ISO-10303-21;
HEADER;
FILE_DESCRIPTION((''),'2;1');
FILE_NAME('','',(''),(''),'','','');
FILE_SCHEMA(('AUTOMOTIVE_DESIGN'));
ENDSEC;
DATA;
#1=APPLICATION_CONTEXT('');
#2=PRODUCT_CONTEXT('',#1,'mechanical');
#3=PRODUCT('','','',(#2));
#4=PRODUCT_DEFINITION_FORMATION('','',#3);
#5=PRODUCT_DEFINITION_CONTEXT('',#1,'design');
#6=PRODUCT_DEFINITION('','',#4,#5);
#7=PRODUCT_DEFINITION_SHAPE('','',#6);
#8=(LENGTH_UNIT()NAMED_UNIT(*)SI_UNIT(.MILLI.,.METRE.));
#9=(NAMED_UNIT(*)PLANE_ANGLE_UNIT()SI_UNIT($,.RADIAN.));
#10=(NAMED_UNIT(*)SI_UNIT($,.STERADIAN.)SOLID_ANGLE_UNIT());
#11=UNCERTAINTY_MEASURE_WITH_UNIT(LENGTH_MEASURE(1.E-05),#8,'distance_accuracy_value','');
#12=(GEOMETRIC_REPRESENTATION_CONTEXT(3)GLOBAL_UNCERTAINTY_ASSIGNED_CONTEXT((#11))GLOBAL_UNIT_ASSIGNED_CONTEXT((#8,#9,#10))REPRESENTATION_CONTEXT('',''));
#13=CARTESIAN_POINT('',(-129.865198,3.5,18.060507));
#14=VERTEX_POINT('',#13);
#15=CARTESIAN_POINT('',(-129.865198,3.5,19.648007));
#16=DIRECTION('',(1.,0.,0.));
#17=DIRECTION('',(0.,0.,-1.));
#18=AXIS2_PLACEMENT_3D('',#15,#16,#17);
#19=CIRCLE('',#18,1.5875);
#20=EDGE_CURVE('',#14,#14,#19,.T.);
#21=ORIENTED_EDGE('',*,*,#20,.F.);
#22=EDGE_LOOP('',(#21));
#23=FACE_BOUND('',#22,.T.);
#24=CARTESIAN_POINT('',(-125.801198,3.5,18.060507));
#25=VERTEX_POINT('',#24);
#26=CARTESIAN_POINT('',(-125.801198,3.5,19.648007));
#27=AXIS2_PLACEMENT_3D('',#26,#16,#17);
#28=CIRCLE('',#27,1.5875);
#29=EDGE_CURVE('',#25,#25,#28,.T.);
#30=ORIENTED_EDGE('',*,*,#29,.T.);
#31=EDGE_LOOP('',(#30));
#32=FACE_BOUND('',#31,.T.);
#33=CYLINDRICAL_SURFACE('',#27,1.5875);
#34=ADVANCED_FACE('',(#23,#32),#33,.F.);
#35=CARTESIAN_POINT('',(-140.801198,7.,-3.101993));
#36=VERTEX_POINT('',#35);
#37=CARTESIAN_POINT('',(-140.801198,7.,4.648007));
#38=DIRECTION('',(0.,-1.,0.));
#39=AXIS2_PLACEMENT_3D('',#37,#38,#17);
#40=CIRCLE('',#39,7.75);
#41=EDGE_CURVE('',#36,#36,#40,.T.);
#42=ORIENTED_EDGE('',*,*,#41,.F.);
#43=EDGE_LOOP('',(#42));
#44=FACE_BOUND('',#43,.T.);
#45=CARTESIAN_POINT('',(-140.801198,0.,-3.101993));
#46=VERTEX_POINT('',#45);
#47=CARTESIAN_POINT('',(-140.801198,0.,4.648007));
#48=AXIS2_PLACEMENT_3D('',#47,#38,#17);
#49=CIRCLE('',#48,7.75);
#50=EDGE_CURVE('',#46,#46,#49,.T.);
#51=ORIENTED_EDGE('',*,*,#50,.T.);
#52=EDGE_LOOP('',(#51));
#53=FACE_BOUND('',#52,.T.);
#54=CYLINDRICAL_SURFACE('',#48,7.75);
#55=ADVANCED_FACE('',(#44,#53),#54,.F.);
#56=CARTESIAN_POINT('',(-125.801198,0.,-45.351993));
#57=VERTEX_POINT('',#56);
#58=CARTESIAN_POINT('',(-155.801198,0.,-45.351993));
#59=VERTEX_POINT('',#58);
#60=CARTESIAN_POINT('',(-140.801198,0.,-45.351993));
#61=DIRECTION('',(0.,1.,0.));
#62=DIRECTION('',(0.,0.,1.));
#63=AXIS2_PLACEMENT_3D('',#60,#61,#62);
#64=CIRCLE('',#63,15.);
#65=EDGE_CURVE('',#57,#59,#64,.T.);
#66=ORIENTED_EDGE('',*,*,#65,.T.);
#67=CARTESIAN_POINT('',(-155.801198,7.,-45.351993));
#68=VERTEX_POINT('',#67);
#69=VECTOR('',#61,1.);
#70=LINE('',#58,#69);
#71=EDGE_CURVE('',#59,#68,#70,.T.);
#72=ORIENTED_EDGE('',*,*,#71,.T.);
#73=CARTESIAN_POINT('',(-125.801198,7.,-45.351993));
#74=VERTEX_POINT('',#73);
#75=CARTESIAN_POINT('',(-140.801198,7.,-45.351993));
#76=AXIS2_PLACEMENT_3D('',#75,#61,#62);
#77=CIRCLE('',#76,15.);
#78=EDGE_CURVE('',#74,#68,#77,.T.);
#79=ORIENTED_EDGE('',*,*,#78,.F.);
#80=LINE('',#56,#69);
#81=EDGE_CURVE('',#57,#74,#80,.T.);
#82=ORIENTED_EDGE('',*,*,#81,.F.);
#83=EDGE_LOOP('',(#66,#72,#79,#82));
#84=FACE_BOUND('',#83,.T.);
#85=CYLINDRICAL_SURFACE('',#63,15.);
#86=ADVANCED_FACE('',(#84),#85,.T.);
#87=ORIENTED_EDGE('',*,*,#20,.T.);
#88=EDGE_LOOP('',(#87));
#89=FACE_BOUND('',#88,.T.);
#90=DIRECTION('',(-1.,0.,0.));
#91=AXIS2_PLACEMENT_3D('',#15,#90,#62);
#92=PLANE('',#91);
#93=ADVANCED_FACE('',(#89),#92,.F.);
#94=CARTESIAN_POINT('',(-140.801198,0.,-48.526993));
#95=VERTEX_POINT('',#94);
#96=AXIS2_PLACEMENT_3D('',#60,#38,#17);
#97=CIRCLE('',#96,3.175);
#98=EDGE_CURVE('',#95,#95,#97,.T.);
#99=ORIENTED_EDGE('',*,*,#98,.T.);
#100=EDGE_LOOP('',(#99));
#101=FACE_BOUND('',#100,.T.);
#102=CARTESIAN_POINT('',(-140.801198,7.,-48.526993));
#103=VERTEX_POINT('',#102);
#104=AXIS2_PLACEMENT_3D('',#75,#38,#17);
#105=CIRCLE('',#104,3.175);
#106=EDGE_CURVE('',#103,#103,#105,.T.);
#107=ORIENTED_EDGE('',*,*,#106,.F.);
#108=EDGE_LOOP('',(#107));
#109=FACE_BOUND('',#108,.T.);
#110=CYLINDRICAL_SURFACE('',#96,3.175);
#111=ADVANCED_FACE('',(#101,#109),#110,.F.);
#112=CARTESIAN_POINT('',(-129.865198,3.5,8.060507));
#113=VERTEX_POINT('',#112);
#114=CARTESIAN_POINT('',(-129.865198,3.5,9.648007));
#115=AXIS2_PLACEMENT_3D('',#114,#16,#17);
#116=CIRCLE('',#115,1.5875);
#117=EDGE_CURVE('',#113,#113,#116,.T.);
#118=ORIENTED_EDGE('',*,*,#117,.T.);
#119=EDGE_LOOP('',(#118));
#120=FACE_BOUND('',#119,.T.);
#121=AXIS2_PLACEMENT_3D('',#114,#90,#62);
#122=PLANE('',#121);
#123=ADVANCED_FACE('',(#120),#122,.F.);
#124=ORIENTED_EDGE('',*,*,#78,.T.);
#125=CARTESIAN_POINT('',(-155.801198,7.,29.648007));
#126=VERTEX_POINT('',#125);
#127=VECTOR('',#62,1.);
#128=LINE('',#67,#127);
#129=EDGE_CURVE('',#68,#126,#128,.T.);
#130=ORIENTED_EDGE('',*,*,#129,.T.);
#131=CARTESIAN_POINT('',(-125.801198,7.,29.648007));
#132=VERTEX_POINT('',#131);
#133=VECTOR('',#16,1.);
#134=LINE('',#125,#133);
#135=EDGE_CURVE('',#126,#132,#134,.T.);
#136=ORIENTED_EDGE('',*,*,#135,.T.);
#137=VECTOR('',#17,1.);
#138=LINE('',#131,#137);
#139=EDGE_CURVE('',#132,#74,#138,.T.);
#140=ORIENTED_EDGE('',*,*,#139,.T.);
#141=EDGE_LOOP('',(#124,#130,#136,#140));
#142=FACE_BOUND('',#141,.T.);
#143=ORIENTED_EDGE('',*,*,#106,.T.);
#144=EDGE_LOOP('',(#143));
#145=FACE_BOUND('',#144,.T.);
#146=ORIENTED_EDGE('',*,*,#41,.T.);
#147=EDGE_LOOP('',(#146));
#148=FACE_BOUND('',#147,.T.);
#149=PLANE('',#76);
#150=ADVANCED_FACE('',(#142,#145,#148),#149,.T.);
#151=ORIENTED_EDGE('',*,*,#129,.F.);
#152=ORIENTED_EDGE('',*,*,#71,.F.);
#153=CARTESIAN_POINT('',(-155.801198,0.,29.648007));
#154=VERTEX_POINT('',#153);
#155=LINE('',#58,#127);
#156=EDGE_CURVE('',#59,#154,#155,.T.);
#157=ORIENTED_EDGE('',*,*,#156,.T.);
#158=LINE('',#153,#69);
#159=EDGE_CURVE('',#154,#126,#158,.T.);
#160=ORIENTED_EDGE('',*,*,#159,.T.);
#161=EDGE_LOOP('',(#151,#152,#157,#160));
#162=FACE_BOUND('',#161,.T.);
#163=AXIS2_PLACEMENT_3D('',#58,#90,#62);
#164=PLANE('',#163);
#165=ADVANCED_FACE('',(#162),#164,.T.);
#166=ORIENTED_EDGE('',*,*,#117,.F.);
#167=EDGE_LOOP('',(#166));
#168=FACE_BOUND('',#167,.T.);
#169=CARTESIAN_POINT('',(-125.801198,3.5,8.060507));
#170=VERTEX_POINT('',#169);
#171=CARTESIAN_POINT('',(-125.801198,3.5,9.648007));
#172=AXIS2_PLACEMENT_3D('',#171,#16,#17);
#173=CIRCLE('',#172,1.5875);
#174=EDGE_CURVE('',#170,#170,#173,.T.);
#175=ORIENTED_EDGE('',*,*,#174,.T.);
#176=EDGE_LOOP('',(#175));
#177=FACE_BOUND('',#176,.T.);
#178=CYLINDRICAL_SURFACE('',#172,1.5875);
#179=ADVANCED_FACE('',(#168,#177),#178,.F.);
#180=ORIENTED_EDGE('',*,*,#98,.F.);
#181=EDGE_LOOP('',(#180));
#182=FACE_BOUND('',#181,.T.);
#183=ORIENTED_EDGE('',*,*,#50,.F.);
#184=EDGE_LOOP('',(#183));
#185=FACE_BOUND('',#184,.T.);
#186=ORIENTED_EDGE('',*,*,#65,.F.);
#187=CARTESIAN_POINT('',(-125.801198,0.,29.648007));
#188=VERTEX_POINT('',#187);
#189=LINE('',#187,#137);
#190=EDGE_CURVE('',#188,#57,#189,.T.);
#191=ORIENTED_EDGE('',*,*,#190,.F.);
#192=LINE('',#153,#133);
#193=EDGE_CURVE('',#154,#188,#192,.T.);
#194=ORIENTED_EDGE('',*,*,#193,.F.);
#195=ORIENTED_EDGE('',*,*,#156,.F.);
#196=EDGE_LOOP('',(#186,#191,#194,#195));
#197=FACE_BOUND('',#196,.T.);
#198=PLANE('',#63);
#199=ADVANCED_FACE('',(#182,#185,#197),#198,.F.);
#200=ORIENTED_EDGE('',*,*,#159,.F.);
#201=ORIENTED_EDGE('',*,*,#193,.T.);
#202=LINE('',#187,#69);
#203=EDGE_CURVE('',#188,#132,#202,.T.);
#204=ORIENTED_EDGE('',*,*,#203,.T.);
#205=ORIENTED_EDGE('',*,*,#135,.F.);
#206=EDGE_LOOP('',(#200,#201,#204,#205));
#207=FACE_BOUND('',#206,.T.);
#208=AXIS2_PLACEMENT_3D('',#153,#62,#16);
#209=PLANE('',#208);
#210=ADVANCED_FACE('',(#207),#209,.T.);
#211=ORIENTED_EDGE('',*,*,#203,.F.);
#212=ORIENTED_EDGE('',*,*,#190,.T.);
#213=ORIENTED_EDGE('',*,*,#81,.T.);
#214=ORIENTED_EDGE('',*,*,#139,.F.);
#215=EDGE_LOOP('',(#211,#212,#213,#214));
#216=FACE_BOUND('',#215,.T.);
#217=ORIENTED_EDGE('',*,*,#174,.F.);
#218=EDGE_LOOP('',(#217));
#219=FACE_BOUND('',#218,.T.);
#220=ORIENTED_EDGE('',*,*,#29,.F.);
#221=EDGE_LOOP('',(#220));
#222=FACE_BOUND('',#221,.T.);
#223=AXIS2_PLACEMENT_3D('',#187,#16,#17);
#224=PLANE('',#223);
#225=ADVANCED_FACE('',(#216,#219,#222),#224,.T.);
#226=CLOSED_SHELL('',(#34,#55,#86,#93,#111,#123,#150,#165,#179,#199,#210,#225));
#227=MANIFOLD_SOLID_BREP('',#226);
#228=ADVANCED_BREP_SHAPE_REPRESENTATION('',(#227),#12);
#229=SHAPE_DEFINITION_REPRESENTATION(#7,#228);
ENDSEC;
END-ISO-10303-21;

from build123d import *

# Parameters (mm, degrees)
BOSS_EXTRUDE1_DEPTH              = 7
F_1_8_0_125_DIAMETER_HOLE1_D     = 3.175
F_1_8_0_125_DIAMETER_HOLE1_DEPTH = 4.064
HOLE1_D                          = 15.5
F_1_4_0_25_DIAMETER_HOLE1_D      = 6.35


with BuildPart() as part:
    # Sketch1 → Boss-Extrude1 (new body)
    with BuildSketch(Plane(origin=(0, 7, 0), x_dir=(1, 0, 0), z_dir=(0, 1, 0))):
        with BuildLine():
            Line((-125.801197545, -29.648007087), (-125.801197545, 45.351992913))
            ThreePointArc((-125.801197545, 45.351992913), (-140.801197545, 60.351992913), (-155.801197545, 45.351992913))
            Line((-155.801197545, 45.351992913), (-155.801197545, -29.648007087))
            Line((-155.801197545, -29.648007087), (-125.801197545, -29.648007087))
        make_face()
    extrude(amount=-BOSS_EXTRUDE1_DEPTH)

    # 1/8 (0.125) Diameter Hole1
    with Locations(Plane(origin=(-125.801197545, 0, 0), x_dir=(0, 0, -1), z_dir=(1, 0, 0))):
        with Locations((-19.648007087, 3.5), (-9.648007087, 3.5)):
            Hole(F_1_8_0_125_DIAMETER_HOLE1_D / 2, depth=F_1_8_0_125_DIAMETER_HOLE1_DEPTH)

    # Hole1 (through all)
    with Locations(Plane(origin=(0, 0, 0), x_dir=(-1, 0, 0), z_dir=(0, -1, 0))):
        with Locations((140.801197545, -4.648007087)):
            Hole(HOLE1_D / 2)

    # 1/4 (0.25) Diameter Hole1 (through all)
    with Locations(Plane(origin=(0, 0, 0), x_dir=(-1, 0, 0), z_dir=(0, -1, 0))):
        with Locations((140.801197545, 45.351992913)):
            Hole(F_1_4_0_25_DIAMETER_HOLE1_D / 2)


solid = part.part
